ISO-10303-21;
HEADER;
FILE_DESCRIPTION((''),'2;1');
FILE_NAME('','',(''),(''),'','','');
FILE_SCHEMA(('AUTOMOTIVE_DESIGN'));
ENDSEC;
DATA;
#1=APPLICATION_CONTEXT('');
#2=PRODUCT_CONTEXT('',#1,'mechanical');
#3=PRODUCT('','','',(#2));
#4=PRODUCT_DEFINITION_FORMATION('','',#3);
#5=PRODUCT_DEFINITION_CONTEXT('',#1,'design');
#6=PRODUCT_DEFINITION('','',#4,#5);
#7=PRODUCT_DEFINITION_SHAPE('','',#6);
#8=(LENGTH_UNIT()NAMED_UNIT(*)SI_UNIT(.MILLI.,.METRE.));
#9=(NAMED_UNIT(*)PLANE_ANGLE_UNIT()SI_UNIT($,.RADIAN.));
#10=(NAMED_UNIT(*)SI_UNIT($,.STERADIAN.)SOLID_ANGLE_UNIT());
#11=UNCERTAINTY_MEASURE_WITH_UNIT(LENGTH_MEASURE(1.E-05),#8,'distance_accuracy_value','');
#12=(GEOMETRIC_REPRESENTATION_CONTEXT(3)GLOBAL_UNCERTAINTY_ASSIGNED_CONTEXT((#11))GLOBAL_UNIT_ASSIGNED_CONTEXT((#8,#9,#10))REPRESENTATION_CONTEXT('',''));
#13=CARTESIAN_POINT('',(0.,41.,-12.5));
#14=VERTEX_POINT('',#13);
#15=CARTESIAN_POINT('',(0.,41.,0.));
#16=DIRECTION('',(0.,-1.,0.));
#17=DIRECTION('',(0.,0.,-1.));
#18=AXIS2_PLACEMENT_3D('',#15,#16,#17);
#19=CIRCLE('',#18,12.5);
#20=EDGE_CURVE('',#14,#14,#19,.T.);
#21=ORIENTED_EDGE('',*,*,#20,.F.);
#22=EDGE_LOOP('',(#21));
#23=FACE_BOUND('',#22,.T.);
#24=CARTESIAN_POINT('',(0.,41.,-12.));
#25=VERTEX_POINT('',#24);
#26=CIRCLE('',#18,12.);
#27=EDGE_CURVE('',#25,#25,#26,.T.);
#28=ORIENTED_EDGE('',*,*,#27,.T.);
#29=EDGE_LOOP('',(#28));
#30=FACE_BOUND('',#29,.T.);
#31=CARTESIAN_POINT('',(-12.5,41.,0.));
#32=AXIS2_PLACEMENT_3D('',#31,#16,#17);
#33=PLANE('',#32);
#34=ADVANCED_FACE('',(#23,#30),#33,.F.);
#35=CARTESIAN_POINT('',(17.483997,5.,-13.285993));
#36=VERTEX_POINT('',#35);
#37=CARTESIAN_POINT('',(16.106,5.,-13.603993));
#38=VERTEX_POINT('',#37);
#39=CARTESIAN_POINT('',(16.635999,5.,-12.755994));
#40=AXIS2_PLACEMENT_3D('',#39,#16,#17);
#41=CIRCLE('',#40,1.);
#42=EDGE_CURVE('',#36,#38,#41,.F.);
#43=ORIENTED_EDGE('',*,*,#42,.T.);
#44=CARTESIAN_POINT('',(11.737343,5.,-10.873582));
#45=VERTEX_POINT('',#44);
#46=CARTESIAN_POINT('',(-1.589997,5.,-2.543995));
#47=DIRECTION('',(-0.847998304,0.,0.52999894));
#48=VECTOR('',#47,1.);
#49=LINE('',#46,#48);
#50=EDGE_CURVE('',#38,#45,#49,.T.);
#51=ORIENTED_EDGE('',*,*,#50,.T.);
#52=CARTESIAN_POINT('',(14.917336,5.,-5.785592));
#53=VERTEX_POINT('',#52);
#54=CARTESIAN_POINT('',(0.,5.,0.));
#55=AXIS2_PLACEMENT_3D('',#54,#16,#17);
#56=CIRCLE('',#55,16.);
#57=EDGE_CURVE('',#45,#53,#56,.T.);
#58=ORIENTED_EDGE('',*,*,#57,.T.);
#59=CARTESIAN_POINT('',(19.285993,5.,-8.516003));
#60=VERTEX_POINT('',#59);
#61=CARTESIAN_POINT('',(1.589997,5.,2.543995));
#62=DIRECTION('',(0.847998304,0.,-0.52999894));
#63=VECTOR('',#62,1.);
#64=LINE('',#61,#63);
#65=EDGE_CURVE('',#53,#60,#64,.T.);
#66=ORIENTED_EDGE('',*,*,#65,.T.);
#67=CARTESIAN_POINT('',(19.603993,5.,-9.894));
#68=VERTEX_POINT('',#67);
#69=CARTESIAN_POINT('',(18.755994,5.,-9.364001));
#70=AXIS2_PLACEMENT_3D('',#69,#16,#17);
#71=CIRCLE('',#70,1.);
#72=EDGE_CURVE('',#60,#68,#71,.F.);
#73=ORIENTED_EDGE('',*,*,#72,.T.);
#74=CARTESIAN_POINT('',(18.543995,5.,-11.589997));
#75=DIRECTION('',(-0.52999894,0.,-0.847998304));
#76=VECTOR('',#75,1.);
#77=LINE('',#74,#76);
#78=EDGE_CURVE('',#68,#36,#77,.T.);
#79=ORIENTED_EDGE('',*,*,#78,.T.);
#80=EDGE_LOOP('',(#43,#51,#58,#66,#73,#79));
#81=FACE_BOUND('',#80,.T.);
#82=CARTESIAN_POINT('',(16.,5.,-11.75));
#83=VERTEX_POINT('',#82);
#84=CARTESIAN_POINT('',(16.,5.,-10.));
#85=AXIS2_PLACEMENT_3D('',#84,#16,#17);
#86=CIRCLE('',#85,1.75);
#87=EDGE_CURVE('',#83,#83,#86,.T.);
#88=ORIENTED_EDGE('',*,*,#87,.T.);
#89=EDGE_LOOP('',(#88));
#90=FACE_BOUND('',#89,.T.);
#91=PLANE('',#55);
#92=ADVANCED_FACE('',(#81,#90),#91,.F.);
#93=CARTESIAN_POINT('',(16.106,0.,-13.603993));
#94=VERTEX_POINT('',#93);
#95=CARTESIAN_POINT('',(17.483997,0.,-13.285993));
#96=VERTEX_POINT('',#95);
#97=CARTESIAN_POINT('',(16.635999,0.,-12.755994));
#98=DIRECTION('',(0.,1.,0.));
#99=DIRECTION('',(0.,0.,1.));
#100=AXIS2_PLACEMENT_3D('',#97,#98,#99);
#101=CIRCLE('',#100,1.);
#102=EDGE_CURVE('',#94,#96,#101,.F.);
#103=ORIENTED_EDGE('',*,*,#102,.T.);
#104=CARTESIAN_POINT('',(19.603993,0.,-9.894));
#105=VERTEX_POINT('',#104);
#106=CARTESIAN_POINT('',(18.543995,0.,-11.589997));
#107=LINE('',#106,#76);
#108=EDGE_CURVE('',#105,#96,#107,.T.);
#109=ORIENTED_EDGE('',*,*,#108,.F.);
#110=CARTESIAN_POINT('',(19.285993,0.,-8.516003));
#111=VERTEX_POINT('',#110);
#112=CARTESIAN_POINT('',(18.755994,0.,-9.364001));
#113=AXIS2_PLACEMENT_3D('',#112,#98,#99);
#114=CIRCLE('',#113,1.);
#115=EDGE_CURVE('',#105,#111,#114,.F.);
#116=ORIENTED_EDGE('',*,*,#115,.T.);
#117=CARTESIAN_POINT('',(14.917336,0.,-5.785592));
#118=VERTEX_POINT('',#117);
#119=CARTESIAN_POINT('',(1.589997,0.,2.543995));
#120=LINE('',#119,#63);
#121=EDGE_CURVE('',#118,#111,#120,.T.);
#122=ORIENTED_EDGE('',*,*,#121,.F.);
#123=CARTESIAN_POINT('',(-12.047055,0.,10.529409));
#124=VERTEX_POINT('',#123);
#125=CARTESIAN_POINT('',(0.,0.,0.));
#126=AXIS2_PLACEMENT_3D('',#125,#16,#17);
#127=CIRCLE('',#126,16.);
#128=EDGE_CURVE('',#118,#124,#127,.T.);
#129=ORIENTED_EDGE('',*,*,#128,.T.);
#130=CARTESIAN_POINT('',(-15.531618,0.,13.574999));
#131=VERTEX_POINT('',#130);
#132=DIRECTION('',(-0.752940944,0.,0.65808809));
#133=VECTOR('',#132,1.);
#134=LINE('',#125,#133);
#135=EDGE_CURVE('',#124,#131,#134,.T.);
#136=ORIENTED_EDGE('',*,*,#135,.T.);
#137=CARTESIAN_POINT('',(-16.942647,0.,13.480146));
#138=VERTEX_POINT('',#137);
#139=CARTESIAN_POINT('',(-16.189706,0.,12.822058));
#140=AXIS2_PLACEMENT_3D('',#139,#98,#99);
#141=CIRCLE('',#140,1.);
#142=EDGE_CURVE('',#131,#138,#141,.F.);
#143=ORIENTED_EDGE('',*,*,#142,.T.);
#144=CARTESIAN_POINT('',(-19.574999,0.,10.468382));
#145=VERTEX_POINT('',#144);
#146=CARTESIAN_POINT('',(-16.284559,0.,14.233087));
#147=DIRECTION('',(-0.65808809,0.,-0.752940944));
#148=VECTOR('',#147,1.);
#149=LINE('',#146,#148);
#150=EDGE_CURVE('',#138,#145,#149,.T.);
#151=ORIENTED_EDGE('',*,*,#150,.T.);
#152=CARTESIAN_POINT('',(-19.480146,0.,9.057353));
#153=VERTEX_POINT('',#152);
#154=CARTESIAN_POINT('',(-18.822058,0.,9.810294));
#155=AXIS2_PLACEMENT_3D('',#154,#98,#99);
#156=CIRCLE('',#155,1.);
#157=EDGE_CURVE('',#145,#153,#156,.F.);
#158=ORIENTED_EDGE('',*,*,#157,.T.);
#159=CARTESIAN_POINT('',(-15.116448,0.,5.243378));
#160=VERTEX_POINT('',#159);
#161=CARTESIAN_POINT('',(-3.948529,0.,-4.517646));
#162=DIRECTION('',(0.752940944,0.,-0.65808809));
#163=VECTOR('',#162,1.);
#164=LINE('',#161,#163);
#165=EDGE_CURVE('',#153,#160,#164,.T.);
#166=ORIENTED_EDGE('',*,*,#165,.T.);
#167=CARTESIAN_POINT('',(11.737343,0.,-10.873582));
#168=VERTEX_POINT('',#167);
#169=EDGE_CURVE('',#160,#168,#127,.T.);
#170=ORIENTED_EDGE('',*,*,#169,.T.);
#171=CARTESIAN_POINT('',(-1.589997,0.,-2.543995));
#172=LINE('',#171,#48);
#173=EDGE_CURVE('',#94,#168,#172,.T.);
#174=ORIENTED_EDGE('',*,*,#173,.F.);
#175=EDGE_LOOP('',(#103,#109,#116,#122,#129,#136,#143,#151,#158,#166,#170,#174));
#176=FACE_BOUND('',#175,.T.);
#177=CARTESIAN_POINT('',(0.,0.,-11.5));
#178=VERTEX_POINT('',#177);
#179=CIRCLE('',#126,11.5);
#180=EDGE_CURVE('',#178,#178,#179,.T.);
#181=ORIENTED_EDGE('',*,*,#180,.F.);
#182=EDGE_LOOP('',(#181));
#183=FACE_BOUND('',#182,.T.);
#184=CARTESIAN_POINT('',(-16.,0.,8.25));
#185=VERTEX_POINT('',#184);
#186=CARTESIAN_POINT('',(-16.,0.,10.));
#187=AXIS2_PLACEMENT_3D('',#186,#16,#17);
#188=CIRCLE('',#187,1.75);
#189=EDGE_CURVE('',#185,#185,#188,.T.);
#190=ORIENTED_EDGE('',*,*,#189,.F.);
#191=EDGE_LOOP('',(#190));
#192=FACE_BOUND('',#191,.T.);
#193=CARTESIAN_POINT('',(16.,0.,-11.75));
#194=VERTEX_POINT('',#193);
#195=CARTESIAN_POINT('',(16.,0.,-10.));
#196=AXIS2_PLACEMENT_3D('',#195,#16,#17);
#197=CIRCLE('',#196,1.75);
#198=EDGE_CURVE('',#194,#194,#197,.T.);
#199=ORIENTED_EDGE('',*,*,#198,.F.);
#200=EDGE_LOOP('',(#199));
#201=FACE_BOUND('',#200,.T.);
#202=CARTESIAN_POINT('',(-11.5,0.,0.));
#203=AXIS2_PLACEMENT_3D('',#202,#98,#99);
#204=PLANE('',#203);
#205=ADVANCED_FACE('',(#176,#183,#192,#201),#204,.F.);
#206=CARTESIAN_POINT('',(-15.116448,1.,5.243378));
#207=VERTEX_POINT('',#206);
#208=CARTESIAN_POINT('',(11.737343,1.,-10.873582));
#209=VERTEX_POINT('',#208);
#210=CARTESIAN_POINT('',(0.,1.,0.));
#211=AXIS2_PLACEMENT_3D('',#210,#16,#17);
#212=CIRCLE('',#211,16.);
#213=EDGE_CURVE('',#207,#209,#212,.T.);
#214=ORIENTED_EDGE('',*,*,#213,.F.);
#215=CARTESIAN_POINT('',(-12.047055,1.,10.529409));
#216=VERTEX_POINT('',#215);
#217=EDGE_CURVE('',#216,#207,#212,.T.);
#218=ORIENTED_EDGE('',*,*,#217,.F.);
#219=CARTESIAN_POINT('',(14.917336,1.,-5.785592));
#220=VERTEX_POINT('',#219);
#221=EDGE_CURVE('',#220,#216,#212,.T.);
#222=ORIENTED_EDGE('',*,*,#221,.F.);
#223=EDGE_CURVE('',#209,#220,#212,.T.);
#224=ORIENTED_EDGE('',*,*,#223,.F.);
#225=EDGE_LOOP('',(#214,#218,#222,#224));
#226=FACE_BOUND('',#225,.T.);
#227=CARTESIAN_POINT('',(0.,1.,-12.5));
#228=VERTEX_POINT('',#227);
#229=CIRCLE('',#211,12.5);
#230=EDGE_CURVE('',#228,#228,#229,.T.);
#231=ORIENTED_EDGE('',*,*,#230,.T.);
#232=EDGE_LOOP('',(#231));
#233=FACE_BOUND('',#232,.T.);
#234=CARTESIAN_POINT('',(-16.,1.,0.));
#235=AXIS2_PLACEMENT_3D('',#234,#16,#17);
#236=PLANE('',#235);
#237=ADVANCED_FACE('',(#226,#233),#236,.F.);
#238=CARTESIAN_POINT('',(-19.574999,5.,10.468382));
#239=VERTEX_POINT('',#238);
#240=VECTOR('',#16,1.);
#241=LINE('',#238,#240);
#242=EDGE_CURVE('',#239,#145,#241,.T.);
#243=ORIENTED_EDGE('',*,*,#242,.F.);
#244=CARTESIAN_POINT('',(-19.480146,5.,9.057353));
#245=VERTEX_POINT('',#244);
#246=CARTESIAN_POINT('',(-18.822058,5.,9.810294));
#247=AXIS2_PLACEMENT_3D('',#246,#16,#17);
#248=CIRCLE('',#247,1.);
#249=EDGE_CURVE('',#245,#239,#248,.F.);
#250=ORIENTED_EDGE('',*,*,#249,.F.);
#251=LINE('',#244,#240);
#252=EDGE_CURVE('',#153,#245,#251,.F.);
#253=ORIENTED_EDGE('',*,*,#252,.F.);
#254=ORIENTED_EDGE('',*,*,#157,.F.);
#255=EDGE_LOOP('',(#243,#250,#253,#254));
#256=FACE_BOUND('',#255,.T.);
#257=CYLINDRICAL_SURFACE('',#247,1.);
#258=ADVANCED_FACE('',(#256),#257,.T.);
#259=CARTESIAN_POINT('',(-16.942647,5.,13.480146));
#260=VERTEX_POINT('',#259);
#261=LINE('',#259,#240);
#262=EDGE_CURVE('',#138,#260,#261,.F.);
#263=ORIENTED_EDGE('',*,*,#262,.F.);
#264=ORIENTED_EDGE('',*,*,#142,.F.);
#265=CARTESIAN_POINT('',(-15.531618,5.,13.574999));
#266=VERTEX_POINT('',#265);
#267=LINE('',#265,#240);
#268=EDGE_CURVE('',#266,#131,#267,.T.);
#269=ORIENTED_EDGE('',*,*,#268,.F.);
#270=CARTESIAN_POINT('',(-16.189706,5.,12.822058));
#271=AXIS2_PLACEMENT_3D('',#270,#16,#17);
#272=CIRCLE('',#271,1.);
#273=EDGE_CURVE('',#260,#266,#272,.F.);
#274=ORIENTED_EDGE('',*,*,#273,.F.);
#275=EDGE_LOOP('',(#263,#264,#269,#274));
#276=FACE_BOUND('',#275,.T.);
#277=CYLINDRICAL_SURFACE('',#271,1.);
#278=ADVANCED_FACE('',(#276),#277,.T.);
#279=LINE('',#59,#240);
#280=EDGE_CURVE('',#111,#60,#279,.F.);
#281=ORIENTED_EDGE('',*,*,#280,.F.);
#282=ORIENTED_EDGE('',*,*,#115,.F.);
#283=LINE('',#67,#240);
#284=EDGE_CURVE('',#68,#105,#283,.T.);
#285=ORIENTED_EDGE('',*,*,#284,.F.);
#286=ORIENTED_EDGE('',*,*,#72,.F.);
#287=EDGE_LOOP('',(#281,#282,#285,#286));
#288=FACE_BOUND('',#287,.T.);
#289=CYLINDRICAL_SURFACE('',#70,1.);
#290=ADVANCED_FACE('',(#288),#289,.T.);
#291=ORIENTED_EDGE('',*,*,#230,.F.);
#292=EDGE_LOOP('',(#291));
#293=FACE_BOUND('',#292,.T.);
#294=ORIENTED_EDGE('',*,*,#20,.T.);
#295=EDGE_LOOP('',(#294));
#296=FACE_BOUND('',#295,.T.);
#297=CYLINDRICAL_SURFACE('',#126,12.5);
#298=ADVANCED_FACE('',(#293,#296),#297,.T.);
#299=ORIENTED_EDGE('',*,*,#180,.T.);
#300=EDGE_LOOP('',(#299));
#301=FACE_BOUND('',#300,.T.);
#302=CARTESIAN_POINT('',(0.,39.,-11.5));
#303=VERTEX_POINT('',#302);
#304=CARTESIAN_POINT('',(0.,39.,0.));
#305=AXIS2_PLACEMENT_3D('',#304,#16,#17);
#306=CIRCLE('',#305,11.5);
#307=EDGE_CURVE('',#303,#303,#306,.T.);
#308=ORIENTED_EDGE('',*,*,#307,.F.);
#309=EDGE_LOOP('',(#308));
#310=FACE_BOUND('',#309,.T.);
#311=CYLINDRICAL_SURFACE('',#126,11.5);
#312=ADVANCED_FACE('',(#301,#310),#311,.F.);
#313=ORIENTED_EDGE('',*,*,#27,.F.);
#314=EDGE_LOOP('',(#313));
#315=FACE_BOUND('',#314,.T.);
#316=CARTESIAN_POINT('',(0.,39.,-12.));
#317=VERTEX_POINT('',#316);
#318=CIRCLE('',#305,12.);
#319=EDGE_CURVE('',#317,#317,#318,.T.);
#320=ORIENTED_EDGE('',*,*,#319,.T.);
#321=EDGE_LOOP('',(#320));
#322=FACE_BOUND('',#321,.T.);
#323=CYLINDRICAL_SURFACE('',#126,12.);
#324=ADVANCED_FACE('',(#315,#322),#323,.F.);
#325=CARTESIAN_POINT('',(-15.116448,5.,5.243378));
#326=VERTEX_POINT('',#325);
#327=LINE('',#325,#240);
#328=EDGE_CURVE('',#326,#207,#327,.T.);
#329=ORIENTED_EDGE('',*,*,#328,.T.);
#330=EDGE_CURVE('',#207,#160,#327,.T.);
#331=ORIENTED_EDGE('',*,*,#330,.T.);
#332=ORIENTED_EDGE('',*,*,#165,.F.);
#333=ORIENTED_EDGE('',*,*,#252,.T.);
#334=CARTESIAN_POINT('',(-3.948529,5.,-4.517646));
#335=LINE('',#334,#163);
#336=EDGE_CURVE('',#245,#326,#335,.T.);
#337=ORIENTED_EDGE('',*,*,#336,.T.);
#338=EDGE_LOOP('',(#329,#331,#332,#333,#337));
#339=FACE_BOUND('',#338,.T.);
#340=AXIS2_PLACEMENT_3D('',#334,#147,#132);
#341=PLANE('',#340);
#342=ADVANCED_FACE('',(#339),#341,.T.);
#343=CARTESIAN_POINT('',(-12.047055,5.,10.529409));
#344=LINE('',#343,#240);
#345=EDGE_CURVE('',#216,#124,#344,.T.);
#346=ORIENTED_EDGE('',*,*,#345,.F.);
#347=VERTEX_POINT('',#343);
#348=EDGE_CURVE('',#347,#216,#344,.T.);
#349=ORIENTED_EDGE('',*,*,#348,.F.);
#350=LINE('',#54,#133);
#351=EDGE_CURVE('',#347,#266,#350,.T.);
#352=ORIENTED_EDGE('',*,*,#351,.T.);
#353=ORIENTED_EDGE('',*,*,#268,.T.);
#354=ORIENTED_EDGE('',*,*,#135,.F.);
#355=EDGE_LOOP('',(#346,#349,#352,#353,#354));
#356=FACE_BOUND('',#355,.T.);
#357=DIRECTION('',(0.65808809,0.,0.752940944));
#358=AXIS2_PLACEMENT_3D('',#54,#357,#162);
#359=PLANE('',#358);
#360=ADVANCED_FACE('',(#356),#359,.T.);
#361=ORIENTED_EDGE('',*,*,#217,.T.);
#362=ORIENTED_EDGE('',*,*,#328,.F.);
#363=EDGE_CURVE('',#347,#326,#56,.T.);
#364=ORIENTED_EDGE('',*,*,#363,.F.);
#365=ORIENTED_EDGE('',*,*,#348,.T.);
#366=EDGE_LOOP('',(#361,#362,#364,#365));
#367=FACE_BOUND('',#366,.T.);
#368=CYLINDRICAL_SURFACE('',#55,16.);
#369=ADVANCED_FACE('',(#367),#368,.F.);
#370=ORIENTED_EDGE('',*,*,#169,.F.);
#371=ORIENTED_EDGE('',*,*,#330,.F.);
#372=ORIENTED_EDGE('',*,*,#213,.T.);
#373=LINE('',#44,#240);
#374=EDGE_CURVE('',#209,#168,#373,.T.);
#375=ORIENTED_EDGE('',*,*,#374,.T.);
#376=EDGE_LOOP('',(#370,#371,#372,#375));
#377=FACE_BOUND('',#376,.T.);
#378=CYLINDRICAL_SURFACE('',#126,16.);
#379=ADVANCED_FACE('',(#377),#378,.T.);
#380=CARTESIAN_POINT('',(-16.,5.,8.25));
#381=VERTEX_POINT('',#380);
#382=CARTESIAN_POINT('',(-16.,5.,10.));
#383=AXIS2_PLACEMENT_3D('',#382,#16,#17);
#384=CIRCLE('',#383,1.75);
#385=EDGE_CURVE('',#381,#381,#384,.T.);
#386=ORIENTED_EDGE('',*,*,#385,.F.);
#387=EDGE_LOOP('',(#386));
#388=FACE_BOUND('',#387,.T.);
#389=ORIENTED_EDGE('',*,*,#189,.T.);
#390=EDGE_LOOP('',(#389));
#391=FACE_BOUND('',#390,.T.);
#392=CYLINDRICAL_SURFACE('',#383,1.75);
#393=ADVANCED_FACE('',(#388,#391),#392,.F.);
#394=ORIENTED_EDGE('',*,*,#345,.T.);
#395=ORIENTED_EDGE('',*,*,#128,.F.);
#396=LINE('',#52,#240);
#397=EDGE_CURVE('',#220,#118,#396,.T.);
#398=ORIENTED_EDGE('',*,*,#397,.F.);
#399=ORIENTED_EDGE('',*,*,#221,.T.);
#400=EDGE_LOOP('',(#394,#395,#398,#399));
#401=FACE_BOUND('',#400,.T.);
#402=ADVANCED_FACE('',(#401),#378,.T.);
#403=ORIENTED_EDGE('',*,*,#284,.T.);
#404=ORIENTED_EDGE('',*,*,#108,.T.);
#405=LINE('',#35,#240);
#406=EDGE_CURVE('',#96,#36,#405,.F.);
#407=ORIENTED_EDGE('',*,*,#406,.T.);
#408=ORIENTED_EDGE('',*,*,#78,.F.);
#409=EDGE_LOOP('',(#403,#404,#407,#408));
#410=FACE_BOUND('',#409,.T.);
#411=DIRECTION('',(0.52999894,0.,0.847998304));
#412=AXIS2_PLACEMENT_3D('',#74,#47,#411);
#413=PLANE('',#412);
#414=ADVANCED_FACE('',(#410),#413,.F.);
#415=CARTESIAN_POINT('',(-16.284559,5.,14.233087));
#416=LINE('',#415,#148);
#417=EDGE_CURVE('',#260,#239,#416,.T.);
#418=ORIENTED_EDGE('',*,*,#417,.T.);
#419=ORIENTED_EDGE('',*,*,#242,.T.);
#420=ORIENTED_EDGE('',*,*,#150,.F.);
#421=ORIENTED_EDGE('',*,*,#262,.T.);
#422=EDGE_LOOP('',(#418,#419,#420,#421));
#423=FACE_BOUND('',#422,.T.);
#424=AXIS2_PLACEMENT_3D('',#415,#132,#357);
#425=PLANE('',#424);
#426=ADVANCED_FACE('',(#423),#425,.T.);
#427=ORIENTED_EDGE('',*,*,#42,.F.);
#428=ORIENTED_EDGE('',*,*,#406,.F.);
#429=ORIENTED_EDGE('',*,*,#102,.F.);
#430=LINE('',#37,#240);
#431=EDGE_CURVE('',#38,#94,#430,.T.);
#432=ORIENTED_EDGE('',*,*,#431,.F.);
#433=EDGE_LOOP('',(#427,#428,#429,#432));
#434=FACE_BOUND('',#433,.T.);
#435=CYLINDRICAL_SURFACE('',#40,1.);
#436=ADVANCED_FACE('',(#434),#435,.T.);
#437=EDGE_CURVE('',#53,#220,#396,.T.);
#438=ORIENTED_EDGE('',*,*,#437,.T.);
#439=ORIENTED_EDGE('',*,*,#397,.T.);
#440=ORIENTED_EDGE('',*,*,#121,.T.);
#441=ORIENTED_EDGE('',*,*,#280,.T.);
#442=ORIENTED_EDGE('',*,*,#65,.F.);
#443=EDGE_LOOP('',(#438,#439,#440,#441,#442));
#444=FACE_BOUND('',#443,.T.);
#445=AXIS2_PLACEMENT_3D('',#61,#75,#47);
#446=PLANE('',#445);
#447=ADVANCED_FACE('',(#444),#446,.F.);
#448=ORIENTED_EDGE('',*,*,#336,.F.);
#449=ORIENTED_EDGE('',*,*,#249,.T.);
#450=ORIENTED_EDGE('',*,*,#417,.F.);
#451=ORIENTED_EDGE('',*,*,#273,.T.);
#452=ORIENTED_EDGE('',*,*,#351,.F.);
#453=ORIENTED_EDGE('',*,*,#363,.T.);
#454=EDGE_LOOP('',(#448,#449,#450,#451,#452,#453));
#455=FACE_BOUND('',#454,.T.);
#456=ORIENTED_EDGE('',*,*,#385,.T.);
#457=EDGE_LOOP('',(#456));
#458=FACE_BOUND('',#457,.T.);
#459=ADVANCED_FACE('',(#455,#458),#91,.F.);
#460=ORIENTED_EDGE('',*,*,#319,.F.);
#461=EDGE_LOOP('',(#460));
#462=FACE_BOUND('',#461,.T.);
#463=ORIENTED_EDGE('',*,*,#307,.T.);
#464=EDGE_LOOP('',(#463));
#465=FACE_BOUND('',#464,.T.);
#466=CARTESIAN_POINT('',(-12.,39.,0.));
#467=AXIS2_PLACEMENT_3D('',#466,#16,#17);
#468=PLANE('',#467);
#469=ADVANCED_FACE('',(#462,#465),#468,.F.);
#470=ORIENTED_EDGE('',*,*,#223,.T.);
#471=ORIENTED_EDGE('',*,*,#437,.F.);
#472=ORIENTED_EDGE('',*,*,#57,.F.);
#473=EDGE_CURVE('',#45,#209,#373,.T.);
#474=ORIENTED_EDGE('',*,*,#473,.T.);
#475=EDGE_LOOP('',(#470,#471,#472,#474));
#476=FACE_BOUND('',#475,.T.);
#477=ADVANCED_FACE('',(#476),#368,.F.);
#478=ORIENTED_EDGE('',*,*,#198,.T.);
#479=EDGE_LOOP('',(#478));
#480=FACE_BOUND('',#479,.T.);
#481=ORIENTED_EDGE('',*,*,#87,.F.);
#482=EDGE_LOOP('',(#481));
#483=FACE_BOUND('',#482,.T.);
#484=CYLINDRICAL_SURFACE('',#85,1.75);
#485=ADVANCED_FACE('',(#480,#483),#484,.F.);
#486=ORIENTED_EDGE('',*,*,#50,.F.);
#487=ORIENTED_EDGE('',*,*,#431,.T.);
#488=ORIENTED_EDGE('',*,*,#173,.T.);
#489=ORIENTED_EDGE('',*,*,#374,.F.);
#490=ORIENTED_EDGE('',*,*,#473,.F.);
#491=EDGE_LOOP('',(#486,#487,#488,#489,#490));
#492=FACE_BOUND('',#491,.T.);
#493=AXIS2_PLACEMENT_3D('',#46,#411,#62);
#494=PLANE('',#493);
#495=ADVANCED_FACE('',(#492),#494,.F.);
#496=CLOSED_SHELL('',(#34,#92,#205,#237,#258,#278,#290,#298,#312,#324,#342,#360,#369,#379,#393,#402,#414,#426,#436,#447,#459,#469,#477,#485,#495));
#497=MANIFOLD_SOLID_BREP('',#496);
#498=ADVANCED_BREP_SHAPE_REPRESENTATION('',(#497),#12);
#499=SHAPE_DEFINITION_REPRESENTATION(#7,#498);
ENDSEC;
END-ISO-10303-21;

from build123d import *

# Parameters (mm, degrees)
BOSS_EXTRUDE1_START = -5
SKETCH2_R           = 1.75
BOSS_EXTRUDE1_DEPTH = 5
FILLET1_R           = 1


with BuildPart() as part:
    # Sketch1 → Revolve1 (revolve)
    with BuildSketch(Plane.XY, mode=Mode.PRIVATE) as revolve1_sk:
        Polygon((-11.5, 0), (-16, 0), (-16, 1), (-12.5, 1), (-12.5, 41), (-12, 41), (-12, 39), (-11.5, 39), align=None)
    revolve(revolve1_sk.sketch.rotate(Axis((0, 0, 0), (0, 1, 0)), 270), axis=Axis((0, 0, 0), (0, 1, 0)))

    # Sketch2 → Boss-Extrude1 (add)
    # profile 1 of 2: a face of its own
    with BuildSketch(Plane.XZ.offset(BOSS_EXTRUDE1_START)):
        with BuildLine():
            Line((20.133991732, -9.046001908), (14.917336297, -5.785592261))
            ThreePointArc((14.917336297, -5.785592261), (13.567972864, -8.47998304), (11.737342657, -10.873582085))
            Line((11.737342657, -10.873582085), (16.953998092, -14.133991732))
            Line((16.953998092, -14.133991732), (20.133991732, -9.046001908))
        make_face()
        with Locations(Location((16, -10, 0), (0, 0, 270))):
            Circle(SKETCH2_R, mode=Mode.SUBTRACT)
    # profile 2 of 2: a face of its own
    with BuildSketch(Plane.XZ.offset(BOSS_EXTRUDE1_START)):
        with BuildLine():
            Line((-20.233087103, 9.715441438), (-15.116447525, 5.243378132))
            ThreePointArc((-15.116447525, 5.243378132), (-13.836527765, 8.034332543), (-12.047055108, 10.529409443))
            Line((-12.047055108, 10.529409443), (-16.284558562, 14.233087103))
            Line((-16.284558562, 14.233087103), (-20.233087103, 9.715441438))
        make_face()
        with Locations(Location((-16, 10, 0), (0, 0, 270))):
            Circle(SKETCH2_R, mode=Mode.SUBTRACT)
    extrude(amount=BOSS_EXTRUDE1_DEPTH)

    # Fillet1
    fillet1_edges = [part.edges().sort_by_distance(p)[0] for p in [
        (-20.233087103, 2.5, 9.715441438),
        (-16.284558562, 2.5, 14.233087103),
        (16.953998092, 2.5, -14.133991732),
        (20.133991732, 2.5, -9.046001908),
    ]]
    fillet(fillet1_edges, radius=FILLET1_R)


solid = part.part
